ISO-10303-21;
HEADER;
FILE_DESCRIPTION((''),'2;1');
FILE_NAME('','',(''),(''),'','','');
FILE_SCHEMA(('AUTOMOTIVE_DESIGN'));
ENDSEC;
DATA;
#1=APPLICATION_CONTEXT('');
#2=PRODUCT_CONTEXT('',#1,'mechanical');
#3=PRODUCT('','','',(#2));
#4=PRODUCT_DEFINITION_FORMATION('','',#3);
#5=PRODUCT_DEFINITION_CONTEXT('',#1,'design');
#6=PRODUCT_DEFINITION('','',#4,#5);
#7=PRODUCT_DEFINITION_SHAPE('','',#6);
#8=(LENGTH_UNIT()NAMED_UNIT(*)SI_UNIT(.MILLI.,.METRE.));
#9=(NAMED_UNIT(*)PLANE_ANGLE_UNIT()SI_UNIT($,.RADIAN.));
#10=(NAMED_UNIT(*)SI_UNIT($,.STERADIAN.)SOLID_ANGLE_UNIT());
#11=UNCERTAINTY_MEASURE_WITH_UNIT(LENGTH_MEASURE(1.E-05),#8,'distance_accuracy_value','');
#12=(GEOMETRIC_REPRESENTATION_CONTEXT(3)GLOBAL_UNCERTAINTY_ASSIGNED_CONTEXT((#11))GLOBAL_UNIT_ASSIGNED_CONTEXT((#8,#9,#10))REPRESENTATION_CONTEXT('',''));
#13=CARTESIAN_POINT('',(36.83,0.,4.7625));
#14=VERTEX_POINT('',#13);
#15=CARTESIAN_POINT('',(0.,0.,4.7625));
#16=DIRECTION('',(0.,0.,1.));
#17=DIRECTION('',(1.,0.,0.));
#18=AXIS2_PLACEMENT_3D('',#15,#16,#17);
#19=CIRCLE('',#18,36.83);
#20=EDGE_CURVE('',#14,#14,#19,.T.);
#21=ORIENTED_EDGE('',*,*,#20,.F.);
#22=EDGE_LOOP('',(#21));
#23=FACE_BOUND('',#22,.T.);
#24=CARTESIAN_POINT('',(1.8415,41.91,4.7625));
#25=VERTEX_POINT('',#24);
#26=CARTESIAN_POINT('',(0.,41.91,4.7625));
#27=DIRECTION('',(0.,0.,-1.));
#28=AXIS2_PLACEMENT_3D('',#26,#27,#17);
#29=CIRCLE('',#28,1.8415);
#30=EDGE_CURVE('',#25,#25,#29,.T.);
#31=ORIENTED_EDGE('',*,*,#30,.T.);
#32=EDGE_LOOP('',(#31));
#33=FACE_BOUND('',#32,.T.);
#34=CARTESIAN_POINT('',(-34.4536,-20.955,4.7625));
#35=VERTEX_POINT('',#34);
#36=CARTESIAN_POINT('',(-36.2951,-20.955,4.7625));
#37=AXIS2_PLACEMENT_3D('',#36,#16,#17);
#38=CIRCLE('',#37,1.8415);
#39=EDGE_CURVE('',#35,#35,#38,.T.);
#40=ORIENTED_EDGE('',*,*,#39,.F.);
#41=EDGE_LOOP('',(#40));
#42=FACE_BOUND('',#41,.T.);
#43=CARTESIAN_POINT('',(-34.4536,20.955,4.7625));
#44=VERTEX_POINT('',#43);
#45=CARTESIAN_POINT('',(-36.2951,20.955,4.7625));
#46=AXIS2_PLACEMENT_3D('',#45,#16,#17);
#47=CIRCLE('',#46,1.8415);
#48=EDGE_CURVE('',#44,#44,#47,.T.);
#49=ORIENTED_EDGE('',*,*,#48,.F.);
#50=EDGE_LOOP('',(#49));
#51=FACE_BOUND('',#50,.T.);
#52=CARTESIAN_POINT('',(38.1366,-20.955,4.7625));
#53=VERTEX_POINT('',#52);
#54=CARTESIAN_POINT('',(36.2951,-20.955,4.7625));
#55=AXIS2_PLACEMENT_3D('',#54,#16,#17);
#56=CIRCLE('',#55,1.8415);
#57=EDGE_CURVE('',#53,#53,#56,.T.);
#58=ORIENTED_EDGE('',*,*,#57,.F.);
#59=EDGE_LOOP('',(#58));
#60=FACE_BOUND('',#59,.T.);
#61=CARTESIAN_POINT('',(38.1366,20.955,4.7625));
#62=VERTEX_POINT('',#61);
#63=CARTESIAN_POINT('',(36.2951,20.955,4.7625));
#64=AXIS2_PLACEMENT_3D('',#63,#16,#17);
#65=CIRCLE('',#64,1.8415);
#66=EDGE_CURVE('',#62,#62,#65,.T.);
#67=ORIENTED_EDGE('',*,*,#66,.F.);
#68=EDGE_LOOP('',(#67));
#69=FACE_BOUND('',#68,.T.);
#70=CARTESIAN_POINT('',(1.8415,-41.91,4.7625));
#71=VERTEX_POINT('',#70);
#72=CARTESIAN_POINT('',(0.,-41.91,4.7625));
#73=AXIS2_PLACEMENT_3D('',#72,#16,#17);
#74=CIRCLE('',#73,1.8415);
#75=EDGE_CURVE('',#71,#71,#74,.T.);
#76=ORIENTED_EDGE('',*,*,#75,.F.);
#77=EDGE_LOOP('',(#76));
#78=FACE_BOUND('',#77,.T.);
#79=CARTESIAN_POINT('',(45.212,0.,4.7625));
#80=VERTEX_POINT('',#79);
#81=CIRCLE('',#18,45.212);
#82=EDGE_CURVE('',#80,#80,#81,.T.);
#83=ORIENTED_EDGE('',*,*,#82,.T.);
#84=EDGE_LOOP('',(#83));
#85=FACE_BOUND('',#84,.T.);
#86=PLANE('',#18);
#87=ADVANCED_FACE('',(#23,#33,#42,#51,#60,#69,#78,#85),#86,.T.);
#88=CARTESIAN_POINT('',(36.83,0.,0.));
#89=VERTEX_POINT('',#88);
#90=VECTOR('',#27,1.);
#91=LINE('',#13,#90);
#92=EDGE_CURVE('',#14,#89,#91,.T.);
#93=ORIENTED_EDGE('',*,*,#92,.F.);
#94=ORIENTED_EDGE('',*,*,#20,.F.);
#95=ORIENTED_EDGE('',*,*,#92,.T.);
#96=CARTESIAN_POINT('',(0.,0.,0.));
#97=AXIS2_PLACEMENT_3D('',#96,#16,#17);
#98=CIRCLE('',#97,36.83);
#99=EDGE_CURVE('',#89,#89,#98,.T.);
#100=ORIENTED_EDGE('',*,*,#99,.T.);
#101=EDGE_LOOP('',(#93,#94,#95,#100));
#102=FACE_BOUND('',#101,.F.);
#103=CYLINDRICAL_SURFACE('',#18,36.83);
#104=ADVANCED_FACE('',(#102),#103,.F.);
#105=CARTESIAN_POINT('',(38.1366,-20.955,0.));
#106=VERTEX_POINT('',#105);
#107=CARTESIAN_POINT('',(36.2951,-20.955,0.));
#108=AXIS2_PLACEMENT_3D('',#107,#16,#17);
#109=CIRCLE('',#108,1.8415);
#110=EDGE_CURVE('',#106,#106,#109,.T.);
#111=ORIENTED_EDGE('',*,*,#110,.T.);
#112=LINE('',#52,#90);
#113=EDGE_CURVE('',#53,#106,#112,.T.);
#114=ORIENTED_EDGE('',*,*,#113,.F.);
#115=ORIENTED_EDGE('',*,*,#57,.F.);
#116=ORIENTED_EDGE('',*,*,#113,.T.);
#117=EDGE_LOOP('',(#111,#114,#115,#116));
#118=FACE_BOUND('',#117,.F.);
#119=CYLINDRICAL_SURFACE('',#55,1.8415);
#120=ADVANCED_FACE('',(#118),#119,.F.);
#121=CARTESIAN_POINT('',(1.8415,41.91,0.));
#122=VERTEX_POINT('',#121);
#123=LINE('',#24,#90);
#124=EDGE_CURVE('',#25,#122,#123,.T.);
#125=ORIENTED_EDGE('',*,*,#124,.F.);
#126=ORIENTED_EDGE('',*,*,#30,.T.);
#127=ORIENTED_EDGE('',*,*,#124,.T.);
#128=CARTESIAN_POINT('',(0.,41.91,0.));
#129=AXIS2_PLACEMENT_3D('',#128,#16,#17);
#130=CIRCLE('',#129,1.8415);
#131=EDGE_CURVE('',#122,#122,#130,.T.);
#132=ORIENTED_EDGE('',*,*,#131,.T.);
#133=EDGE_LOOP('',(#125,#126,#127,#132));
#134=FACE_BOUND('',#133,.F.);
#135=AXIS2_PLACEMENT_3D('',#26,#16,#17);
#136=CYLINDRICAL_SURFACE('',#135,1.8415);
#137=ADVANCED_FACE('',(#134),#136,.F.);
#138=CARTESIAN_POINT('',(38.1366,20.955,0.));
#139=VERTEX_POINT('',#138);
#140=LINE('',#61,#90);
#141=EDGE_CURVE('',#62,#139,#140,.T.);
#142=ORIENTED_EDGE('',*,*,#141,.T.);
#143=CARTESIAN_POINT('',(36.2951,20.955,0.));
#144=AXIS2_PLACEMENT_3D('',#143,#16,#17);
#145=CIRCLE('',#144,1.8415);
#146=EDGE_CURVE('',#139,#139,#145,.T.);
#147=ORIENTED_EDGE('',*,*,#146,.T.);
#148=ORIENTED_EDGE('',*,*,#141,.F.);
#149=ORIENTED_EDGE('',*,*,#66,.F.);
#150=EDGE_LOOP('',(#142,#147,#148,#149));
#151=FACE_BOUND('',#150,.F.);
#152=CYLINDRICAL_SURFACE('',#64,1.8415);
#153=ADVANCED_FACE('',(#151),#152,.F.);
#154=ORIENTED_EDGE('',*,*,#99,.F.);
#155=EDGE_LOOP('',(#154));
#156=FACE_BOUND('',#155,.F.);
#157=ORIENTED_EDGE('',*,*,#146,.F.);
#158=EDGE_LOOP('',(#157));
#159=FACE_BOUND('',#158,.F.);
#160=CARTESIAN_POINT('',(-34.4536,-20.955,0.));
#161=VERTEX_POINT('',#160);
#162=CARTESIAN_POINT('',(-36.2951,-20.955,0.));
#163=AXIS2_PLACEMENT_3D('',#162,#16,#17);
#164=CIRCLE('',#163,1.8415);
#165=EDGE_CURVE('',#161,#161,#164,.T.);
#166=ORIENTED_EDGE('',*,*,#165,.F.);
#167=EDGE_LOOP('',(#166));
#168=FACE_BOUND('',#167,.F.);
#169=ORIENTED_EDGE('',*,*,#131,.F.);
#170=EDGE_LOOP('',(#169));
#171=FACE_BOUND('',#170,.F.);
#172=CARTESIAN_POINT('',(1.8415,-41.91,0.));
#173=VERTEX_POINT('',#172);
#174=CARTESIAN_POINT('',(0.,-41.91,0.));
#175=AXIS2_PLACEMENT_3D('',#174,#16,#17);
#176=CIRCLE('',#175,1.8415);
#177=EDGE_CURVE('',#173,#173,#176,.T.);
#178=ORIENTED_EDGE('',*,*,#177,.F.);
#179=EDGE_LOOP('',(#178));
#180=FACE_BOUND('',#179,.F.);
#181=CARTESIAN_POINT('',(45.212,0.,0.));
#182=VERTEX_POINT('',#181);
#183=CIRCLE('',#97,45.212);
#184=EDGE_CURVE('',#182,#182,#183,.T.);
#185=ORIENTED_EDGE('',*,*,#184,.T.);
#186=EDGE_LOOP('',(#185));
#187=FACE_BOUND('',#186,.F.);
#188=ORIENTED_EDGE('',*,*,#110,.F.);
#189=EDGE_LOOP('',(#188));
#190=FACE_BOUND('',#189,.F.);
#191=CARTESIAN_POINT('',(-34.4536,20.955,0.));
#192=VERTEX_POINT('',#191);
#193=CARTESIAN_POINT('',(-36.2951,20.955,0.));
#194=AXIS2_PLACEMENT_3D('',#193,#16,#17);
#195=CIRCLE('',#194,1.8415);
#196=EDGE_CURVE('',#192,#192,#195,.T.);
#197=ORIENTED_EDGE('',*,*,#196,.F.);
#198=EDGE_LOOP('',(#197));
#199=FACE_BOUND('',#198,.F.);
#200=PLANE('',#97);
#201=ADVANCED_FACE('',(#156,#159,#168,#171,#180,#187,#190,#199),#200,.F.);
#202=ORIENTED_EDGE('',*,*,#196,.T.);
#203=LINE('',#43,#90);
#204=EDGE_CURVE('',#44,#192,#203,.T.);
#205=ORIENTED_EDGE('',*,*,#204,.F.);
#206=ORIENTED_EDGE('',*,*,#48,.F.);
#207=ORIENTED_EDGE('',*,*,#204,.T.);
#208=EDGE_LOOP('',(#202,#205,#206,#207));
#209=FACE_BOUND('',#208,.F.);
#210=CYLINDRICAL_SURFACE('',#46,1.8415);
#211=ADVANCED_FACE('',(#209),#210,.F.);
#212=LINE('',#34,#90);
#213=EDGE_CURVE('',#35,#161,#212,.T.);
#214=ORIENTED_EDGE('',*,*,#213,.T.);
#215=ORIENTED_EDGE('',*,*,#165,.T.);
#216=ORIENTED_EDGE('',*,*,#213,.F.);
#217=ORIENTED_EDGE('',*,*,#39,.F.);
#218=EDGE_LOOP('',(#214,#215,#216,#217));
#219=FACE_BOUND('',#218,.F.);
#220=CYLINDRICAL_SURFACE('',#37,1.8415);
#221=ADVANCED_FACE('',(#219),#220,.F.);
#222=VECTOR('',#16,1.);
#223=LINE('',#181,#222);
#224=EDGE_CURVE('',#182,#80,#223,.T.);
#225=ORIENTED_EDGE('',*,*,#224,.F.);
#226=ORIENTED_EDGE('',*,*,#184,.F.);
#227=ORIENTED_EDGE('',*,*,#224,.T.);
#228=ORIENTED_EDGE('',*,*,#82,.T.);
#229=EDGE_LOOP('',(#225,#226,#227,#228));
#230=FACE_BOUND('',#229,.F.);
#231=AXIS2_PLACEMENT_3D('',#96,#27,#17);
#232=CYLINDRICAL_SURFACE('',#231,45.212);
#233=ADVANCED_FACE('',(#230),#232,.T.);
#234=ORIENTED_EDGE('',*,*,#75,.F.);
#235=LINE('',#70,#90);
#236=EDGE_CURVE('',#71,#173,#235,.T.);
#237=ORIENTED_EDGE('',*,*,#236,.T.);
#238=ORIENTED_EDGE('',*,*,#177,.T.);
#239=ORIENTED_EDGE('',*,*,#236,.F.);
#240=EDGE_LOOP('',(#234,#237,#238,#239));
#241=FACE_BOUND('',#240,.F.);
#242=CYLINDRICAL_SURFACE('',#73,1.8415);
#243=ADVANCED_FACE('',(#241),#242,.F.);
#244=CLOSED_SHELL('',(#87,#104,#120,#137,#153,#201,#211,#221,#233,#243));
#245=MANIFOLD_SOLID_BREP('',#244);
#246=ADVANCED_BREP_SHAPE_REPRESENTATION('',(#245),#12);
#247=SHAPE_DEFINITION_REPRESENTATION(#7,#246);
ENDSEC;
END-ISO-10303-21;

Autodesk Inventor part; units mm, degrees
ref_plane "YZ Plane" through (0, 0, 0) normal (1, 0, 0) x (0, 1, 0)
ref_plane "XZ Plane" through (0, 0, 0) normal (0, 1, 0) x (-1, 0, 0)
ref_plane "XY Plane" through (0, 0, 0) normal (0, 0, 1) x (1, 0, 0)
sketch "Sketch1" plane through (0, 0, 0) normal (0, 0, 1) x (1, 0, 0)
  circle A0 centre (0, 0) radius 45.212
  dimension "d0" = 90.424
extrude "Extrusion1" add sketch "Sketch1" along normal blind 4.7625
sketch "Sketch2" plane through (0, 0, 4.7625) normal (0, 0, 1) x (1, 0, 0)
  line L0 (0, 0) -> (0, 41.91)
  circle A0 centre (0, 41.91) radius 1.8415
  circle A1 centre (-36.2951, 20.955) radius 1.8415
  circle A2 centre (-36.2951, -20.955) radius 1.8415
  circle A3 centre (0, -41.91) radius 1.8415
  circle A4 centre (36.2951, -20.955) radius 1.8415
  circle A5 centre (36.2951, 20.955) radius 1.8415
  dimension "d3" = 41.91
  dimension "d4" = 3.683
  dimension "d7" = 360
extrude "Extrusion2" cut sketch "Sketch2" against normal blind 4.7625
sketch "Sketch4" plane through (0, 0, 4.7625) normal (0, 0, 1) x (1, 0, 0)
  circle A0 centre (36.2951, -20.955) radius 1.8415 projected
  circle A1 centre (-36.2951, -20.955) radius 1.8415 projected
  circle A2 centre (0, 41.91) radius 1.8415 projected
  circle A3 centre (-36.2951, 20.955) radius 1.8415 projected
  circle A4 centre (0, -41.91) radius 1.8415 projected
  circle A5 centre (36.2951, 20.955) radius 1.8415 projected
  circle A6 centre (0, 0) radius 45.212 projected
  circle A7 centre (0, 0) radius 36.83
  dimension "d17" = 73.66
extrude "Extrusion4" cut sketch "Sketch4" against normal blind 25.4 contours A7
properties part number "foreElectronicsSealingDisc" material "Aluminum 6061"
